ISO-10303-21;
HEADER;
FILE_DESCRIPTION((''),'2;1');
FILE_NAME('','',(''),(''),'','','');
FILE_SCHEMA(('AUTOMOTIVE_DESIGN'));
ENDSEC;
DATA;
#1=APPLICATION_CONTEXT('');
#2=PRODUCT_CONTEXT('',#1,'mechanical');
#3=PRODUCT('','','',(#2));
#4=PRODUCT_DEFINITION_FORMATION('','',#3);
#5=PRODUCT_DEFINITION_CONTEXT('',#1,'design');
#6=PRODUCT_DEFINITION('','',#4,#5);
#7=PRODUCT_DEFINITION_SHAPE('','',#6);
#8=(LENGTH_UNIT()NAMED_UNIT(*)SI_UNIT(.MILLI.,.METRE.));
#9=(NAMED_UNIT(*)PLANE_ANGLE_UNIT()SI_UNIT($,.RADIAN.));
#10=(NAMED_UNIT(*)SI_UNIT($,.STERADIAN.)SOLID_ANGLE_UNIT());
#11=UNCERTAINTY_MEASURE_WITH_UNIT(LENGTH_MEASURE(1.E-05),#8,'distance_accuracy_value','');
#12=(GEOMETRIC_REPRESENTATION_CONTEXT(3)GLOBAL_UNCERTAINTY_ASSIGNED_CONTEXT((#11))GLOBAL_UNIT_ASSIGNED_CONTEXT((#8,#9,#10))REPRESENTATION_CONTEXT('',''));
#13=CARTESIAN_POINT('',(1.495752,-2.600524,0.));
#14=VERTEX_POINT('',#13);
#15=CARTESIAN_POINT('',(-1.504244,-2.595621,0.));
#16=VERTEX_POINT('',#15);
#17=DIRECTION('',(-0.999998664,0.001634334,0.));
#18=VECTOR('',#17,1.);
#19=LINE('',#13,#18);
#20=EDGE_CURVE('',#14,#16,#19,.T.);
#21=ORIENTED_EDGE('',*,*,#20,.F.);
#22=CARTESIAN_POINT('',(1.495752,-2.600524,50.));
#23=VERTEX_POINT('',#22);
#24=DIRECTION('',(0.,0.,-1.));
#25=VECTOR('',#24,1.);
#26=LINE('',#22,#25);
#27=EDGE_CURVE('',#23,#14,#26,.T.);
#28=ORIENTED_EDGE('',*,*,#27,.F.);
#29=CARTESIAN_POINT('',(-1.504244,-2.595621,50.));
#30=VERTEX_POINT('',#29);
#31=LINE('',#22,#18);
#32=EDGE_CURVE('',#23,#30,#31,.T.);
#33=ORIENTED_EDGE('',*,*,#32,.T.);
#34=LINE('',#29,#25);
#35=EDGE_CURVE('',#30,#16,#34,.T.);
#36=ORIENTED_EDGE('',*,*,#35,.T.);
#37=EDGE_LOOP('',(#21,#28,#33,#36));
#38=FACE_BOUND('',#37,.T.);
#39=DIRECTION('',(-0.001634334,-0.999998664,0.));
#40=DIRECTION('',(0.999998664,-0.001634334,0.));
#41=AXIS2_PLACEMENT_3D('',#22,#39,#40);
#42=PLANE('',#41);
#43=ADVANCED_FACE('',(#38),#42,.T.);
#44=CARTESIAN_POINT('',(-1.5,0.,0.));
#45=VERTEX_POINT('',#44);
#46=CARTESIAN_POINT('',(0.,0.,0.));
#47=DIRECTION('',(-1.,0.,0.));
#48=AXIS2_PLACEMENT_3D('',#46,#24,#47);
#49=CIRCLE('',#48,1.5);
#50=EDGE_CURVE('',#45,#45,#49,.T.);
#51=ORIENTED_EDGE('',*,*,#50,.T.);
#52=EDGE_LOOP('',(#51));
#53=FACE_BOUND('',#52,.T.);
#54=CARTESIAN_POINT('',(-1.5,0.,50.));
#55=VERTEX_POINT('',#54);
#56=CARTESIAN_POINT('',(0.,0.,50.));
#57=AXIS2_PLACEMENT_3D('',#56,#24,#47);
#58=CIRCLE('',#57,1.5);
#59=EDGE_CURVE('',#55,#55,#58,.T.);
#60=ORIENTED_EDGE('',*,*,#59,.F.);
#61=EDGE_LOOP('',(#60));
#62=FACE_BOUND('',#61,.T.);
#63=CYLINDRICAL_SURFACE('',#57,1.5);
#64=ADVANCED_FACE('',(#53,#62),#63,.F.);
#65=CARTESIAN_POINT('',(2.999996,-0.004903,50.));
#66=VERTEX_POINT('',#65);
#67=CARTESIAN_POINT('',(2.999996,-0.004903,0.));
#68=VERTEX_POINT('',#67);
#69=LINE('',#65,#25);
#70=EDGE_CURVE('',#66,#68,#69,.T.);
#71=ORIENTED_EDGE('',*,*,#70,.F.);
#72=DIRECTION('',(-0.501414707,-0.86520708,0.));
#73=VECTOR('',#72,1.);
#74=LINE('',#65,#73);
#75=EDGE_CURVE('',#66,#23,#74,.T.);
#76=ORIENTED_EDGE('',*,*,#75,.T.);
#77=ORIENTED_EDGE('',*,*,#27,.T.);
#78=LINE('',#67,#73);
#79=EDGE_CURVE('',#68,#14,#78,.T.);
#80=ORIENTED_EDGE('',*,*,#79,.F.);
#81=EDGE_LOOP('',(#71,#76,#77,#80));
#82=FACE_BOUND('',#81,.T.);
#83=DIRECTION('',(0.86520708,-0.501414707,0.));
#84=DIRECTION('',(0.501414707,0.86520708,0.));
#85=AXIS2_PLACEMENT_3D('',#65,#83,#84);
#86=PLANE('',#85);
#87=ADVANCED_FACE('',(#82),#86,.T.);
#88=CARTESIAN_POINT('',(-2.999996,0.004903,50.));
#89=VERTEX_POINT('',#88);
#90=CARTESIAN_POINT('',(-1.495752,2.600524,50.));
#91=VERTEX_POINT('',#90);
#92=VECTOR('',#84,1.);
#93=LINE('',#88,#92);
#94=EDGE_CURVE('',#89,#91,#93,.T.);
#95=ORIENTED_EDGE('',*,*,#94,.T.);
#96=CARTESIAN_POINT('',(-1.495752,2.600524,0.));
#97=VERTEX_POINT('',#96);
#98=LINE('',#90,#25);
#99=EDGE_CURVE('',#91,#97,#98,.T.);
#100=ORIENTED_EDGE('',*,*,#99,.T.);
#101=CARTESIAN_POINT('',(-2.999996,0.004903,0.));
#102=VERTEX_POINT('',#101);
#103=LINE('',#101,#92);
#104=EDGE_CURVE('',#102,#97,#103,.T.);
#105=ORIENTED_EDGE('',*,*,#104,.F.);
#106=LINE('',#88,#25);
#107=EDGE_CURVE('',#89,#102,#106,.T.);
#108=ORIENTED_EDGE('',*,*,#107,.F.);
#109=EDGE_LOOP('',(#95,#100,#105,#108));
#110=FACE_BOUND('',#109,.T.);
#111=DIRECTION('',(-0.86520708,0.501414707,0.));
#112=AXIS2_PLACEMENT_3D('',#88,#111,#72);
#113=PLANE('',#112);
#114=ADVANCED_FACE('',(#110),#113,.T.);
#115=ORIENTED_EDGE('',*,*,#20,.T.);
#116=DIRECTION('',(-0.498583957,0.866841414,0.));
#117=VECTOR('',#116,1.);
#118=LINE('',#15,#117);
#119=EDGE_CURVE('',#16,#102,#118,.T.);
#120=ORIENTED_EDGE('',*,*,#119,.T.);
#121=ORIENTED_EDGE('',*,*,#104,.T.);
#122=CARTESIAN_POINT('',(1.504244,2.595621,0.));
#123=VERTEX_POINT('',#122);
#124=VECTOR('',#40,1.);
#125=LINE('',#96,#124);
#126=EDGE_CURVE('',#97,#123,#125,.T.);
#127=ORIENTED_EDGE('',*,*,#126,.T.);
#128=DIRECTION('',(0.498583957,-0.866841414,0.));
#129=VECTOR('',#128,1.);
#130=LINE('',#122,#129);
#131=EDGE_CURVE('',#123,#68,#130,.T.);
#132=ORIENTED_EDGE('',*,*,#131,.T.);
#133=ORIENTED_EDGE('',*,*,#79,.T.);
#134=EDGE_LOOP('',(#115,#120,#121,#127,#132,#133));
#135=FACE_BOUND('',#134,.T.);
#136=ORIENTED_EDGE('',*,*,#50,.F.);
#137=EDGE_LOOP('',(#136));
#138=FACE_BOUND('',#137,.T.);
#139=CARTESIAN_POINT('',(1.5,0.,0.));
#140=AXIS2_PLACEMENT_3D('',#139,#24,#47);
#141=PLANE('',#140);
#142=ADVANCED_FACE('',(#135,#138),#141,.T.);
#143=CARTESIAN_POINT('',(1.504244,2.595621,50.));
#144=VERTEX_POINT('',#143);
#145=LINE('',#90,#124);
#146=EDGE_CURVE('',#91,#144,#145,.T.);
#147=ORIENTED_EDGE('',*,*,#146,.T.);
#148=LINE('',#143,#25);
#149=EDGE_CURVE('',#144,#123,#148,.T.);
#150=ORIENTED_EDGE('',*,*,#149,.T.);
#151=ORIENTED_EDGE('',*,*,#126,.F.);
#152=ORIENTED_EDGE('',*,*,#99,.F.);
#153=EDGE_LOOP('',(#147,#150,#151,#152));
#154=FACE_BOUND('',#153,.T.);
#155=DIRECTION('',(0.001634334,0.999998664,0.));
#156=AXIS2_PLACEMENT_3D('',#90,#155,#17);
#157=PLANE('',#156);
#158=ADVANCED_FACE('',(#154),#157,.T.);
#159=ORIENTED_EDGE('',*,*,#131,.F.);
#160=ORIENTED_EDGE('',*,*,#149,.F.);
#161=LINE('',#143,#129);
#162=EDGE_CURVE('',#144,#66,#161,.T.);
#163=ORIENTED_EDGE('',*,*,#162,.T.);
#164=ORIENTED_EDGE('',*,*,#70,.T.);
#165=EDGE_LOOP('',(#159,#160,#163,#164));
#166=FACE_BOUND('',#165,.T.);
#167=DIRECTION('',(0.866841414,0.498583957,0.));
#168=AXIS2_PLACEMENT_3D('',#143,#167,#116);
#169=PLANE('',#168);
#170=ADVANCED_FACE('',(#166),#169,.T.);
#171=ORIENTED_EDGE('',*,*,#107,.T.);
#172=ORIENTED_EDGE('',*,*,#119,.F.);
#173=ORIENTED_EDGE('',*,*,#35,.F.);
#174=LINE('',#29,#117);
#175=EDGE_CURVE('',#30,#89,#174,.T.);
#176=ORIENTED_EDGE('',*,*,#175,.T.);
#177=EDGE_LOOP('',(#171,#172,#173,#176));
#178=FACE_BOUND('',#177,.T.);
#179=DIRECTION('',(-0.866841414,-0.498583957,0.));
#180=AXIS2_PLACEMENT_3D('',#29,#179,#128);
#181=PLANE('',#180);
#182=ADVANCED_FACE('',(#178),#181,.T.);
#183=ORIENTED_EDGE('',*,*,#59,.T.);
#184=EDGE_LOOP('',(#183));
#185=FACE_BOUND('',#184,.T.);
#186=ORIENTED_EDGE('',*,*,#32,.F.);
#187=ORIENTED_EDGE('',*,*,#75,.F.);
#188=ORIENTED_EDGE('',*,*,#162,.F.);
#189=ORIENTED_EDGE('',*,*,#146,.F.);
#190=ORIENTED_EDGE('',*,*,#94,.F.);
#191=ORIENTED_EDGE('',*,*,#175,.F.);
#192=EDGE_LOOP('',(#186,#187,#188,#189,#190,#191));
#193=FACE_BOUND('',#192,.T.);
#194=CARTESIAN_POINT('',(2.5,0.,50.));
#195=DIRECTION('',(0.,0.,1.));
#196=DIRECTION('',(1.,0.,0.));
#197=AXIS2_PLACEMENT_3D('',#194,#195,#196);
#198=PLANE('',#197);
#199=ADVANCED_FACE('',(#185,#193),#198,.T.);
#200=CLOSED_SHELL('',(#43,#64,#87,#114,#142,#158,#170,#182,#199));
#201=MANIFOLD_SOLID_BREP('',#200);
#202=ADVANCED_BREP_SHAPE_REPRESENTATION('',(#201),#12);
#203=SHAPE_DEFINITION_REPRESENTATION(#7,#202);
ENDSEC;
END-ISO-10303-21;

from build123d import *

# Parameters (mm, degrees)
SKETCH_1_W      = 1
SKETCH_1_H      = 50
SKETCH_5_R      = 1.5
EXTRUDE_4_DEPTH = 50


with BuildPart() as part:
    # 草图1 → 旋转1 (revolve)
    with BuildSketch(Plane.XZ, mode=Mode.PRIVATE) as revolve_1_sk:
        with Locations((2, 25)):
            Rectangle(SKETCH_1_W, SKETCH_1_H)
    revolve(revolve_1_sk.sketch.rotate(Axis((0, 0, 50), (0, 0, -1)), 180), axis=Axis((0, 0, 50), (0, 0, -1)))

    # 草图5 → 凸台-拉伸4 (add)
    with BuildSketch(Plane(origin=(0, 0, 0), x_dir=(-1, 0, 0), z_dir=(0, 0, -1))):
        Polygon((-1.504244122, 2.59562124), (-2.999995993, -0.004903003), (-1.495751872, -2.600524243), (1.504244122, -2.59562124), (2.999995993, 0.004903003), (1.495751872, 2.600524243), align=None)
        Circle(SKETCH_5_R, mode=Mode.SUBTRACT)
    extrude(amount=-EXTRUDE_4_DEPTH)


solid = part.part
